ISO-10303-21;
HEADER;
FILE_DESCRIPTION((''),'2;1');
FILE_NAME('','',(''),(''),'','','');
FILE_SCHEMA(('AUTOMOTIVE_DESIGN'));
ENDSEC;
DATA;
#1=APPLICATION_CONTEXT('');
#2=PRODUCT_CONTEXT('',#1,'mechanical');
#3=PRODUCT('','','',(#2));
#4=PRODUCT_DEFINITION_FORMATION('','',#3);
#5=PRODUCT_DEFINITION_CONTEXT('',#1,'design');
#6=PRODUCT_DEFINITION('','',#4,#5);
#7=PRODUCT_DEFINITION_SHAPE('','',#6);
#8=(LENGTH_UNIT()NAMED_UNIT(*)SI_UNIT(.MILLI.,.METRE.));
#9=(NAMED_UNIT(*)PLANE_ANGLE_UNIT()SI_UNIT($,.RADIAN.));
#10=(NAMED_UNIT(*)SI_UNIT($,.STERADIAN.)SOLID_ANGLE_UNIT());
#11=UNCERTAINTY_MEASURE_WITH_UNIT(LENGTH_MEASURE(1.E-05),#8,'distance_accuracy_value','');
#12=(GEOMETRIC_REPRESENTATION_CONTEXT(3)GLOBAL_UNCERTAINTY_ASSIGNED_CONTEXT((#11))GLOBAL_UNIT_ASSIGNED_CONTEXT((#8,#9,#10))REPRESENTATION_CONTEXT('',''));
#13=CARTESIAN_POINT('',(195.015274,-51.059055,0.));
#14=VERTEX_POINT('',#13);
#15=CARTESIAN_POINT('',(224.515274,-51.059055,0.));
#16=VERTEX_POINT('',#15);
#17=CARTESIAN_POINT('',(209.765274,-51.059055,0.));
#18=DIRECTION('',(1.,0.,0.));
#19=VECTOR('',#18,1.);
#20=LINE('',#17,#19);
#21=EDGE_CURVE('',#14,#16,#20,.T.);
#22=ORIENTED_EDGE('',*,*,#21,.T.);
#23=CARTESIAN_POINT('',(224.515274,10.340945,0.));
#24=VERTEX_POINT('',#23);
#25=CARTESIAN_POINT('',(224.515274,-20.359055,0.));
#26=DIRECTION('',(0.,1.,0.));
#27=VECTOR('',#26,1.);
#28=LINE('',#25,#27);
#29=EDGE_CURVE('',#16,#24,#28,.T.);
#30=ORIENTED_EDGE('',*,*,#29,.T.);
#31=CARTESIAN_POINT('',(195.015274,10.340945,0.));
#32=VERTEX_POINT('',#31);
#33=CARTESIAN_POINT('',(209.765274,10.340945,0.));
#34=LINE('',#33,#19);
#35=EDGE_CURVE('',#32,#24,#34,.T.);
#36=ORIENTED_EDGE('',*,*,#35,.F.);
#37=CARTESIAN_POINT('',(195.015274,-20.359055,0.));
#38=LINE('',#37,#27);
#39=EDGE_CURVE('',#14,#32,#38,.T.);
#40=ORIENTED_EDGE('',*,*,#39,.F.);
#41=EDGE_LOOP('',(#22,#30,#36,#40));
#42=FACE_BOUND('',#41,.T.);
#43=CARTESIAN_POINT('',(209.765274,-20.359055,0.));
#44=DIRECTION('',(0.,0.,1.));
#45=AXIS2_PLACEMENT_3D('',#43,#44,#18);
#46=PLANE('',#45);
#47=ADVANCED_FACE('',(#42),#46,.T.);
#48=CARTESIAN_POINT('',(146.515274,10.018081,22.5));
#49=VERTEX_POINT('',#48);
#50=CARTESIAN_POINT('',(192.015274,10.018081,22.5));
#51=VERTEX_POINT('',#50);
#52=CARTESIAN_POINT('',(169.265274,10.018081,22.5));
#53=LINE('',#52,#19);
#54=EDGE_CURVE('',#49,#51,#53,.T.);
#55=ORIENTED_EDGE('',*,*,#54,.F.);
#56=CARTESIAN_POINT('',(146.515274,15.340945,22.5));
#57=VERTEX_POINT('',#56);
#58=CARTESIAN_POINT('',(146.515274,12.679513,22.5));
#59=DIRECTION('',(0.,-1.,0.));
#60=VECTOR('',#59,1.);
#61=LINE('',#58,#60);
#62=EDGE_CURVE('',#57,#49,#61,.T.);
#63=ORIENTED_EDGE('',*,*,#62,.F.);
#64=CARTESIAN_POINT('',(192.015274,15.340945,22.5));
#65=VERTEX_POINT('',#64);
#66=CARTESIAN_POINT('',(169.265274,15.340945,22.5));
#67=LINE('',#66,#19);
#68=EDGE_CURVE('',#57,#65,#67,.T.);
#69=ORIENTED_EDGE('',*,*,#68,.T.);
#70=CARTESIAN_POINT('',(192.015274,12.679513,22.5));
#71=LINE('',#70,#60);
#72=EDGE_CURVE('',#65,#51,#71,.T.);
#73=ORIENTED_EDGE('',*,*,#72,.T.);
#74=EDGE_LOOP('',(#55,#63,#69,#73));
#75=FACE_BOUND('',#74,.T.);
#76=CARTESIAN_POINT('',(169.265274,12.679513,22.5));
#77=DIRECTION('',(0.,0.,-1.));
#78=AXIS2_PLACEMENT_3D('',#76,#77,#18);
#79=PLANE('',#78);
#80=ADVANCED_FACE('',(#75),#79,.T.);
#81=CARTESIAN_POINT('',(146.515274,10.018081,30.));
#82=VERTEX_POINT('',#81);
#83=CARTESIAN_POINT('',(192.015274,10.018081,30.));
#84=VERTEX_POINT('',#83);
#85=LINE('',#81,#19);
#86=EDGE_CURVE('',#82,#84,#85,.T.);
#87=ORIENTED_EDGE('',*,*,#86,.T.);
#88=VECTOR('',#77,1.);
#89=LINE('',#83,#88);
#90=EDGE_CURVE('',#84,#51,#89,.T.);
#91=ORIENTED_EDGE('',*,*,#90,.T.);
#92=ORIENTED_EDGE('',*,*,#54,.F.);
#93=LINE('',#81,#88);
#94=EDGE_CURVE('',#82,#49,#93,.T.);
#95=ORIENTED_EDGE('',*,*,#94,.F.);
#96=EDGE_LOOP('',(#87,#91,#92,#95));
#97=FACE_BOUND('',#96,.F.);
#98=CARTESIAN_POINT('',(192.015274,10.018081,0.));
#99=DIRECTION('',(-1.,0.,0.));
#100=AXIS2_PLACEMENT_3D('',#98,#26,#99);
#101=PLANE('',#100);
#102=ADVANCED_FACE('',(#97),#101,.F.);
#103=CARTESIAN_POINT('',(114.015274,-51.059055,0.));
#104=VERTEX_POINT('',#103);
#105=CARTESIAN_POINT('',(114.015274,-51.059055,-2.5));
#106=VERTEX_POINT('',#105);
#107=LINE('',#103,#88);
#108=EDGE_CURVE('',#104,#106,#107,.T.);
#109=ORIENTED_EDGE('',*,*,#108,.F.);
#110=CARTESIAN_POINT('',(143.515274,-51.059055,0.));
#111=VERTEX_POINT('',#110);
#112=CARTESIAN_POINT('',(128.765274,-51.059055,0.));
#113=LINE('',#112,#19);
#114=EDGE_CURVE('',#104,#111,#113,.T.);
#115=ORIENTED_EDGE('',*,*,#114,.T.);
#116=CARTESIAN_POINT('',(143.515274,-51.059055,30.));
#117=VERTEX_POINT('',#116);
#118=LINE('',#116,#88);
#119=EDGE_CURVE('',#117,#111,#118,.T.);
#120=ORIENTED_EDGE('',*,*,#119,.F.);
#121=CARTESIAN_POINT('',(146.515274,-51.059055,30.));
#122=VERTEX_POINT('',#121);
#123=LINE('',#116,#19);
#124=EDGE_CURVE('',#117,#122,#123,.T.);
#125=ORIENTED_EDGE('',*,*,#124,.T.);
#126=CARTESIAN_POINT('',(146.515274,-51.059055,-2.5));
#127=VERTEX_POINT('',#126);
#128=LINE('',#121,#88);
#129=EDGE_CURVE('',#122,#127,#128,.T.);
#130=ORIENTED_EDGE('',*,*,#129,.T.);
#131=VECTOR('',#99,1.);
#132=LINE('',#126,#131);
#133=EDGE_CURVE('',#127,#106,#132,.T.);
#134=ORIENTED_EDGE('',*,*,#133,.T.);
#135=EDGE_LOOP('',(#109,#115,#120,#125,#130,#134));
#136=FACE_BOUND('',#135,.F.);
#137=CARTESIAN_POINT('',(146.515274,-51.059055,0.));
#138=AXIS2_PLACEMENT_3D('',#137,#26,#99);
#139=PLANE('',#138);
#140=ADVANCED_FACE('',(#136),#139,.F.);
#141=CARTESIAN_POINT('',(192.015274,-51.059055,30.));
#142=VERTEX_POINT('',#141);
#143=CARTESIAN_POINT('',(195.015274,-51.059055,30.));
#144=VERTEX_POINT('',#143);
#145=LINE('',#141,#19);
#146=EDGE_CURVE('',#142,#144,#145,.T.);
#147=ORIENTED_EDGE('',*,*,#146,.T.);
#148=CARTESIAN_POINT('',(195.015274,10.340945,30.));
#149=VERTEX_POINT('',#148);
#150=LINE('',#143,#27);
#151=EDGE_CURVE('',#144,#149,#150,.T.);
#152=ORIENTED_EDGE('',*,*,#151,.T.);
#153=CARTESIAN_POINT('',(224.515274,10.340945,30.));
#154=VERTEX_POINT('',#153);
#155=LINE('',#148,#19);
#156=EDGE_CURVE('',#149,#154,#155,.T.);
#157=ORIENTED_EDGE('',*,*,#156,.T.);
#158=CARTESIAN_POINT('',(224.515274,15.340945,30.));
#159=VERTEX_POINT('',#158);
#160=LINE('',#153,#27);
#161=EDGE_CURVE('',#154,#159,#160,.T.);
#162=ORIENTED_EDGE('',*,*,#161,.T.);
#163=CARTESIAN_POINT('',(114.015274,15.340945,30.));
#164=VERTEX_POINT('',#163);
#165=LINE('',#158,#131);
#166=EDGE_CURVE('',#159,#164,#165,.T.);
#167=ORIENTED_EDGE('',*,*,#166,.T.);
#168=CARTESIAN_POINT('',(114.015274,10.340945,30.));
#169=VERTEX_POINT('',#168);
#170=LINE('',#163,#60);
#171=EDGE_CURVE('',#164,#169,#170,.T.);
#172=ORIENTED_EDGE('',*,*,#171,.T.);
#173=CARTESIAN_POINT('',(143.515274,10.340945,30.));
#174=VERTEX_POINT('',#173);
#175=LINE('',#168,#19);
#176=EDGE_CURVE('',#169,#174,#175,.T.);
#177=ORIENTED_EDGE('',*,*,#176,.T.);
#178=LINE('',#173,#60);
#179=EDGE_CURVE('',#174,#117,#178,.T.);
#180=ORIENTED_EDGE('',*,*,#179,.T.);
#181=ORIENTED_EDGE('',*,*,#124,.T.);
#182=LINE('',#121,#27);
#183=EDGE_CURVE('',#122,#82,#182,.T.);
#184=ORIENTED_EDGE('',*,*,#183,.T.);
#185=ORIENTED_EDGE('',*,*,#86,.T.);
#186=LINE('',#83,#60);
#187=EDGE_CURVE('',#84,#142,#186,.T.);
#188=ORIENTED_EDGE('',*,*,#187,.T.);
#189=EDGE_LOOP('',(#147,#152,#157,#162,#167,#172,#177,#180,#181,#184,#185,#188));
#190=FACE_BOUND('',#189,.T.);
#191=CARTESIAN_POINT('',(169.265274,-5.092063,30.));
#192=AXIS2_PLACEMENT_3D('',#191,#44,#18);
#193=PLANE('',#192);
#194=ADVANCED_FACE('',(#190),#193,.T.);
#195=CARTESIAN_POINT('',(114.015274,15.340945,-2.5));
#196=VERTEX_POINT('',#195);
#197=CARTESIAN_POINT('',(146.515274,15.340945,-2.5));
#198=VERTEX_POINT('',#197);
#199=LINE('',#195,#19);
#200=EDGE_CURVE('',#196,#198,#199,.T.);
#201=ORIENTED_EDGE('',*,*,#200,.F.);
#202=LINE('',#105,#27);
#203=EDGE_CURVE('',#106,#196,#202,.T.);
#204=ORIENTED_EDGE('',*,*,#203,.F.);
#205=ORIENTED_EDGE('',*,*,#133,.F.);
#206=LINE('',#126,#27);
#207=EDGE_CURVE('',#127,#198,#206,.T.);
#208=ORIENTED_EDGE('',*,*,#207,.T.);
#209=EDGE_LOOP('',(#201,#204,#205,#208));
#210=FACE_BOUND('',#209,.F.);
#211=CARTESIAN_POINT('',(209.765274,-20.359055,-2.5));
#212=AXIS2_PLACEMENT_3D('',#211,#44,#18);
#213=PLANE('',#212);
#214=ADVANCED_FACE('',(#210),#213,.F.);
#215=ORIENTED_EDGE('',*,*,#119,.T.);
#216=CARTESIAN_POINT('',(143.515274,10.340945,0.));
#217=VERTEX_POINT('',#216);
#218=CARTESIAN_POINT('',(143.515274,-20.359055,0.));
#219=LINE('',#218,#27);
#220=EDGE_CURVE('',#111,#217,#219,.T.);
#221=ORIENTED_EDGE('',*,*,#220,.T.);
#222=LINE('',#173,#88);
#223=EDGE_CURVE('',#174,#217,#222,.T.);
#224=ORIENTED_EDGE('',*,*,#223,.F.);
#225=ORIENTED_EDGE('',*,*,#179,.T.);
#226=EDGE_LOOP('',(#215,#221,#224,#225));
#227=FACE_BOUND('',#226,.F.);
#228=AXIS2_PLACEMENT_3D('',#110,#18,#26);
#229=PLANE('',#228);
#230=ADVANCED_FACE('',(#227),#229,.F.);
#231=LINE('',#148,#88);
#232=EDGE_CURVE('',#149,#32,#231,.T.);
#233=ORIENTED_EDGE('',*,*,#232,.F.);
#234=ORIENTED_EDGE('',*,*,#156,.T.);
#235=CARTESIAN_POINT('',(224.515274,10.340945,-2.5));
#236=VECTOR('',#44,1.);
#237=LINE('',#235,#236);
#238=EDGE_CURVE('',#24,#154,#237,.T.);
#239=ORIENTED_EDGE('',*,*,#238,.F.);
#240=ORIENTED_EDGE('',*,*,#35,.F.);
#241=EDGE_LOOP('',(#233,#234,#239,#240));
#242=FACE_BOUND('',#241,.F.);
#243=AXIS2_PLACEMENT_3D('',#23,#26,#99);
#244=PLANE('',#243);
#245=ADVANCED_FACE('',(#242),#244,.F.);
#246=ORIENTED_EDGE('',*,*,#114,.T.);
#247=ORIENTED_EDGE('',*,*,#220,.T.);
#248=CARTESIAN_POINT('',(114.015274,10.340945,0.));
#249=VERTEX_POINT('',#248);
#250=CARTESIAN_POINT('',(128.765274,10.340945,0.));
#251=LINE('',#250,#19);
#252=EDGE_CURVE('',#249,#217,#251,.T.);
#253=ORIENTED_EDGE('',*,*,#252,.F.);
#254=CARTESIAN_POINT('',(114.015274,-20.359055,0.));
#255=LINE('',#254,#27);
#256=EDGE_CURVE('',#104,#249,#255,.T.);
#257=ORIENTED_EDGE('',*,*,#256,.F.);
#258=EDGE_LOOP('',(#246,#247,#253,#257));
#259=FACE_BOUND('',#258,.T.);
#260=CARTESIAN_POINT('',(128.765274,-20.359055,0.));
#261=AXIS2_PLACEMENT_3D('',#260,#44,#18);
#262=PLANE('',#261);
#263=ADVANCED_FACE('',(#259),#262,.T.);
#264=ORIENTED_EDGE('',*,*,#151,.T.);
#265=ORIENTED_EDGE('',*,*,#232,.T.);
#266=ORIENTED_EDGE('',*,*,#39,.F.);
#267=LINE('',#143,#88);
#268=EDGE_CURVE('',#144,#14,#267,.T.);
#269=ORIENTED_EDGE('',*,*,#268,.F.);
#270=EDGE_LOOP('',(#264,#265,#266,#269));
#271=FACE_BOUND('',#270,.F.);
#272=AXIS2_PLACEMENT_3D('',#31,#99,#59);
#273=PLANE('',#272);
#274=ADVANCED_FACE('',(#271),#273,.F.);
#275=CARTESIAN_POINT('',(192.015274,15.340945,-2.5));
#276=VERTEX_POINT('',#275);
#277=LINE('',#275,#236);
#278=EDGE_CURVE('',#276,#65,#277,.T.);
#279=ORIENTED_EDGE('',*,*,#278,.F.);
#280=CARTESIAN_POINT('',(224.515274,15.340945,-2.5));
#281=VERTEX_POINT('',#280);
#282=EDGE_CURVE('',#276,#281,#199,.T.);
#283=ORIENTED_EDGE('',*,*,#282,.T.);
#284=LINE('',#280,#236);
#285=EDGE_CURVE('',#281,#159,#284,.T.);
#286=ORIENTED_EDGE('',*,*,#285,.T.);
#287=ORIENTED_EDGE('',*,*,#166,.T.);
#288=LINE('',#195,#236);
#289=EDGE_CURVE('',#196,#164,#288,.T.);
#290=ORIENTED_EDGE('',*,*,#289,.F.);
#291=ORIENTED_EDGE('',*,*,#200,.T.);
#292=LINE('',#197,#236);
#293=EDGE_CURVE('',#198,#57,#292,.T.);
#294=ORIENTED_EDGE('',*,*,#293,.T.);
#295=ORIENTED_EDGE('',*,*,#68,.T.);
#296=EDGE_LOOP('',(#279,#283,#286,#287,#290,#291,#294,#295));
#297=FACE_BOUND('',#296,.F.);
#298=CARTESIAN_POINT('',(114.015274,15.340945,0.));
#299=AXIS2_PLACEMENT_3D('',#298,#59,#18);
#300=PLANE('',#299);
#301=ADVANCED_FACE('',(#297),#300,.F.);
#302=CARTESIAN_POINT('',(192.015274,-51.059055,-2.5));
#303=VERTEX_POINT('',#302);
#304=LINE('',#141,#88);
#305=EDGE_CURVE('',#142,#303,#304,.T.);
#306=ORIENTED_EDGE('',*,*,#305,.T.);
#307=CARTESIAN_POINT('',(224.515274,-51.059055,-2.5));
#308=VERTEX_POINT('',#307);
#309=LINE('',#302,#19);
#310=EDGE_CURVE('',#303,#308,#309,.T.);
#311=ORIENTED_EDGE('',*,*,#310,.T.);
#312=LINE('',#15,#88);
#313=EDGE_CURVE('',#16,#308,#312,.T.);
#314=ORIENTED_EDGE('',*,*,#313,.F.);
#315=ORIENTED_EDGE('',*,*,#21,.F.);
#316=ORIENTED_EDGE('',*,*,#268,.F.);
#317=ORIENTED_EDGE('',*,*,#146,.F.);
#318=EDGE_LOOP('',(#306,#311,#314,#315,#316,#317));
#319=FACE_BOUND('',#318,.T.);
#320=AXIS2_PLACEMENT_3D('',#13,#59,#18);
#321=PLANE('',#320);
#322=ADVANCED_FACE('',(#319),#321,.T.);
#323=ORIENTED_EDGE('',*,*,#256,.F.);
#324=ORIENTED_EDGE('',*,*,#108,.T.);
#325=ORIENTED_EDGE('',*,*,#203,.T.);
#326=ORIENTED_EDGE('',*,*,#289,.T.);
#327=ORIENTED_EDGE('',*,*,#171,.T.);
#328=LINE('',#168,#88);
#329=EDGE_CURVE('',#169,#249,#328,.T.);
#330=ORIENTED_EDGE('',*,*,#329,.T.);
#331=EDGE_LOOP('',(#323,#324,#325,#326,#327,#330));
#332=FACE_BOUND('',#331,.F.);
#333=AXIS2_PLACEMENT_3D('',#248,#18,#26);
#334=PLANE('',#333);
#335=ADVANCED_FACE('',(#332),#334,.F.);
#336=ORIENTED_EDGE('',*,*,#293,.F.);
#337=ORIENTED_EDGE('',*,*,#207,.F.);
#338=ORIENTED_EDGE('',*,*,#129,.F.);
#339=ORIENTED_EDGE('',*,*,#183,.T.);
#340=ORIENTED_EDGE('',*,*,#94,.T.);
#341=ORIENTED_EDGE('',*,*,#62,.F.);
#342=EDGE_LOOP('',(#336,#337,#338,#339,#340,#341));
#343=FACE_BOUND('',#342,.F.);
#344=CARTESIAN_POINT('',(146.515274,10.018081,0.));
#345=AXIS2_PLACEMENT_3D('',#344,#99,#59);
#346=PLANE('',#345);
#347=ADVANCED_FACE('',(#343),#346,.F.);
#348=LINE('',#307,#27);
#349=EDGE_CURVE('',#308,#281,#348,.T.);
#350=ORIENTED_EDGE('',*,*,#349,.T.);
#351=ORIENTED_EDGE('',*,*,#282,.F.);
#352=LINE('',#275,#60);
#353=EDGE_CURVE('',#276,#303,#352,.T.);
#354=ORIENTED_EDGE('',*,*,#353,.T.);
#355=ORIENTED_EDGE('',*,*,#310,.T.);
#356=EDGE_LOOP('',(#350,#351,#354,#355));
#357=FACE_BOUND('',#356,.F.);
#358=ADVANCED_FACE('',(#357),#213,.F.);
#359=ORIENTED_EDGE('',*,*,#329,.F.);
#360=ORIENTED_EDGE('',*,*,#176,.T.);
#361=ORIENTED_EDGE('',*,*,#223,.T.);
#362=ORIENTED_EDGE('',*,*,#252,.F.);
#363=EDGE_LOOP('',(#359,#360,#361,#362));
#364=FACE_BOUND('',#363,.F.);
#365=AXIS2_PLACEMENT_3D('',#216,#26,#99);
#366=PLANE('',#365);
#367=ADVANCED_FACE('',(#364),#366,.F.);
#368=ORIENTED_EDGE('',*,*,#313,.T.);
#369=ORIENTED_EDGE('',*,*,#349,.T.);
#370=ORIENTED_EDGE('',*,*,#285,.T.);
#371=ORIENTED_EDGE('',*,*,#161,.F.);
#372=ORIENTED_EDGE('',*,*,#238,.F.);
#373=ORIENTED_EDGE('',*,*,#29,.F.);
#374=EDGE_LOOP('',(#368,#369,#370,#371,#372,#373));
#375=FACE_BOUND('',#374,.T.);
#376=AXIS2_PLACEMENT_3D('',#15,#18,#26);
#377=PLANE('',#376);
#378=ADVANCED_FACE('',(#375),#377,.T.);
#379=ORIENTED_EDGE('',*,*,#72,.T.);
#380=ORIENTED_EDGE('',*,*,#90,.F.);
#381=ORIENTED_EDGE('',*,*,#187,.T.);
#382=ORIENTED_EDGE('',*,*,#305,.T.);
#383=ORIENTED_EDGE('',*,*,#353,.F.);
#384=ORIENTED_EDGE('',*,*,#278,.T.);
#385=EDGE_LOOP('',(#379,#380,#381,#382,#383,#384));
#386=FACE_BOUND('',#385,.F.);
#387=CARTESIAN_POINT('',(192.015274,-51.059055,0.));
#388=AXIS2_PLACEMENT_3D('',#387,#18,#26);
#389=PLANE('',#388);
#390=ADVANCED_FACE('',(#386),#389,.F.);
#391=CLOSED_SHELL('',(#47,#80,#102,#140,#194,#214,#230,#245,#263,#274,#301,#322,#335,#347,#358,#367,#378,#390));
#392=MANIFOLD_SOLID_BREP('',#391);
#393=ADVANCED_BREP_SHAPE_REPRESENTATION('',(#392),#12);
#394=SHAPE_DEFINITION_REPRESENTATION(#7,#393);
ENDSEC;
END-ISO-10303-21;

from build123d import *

# Parameters (mm, degrees)
F1_DEPTH = 6.5
F2_DEPTH = 30
F3_DEPTH = 2.5
F0_W     = 29.5
F0_H     = 61.4
F4_DEPTH = 2.5
F5_W     = 45.5
F5_H     = 5.322864
F6_DEPTH = 25


with BuildPart() as f1:
    # F0 (on Top) → F1 (new body)
    with BuildSketch(Plane.XY):
        Polygon((-58.032156, 36.652669), (-58.032156, 30.152669), (-64.532156, 30.152669), (-64.532156, 23.652669), (-58.032156, 23.652669), (-58.032156, 17.152669), (-64.532156, 17.152669), (-64.532156, 10.652669), (-58.032156, 10.652669), (-58.032156, 4.152669), (-64.532156, 4.152669), (-64.532156, -2.347331), (-58.032156, -2.347331), (-58.032156, -8.847331), (-64.532156, -8.847331), (-64.532156, -15.347331), (-58.032156, -15.347331), (-58.032156, -21.847331), (-64.532156, -21.847331), (-64.532156, -28.347331), (-58.032156, -28.347331), (-58.032156, -34.847331), (-64.532156, -34.847331), (-64.532156, -41.347331), (-58.032156, -41.347331), (-58.032156, -53.445331), (58.967844, -53.445331), (58.967844, -41.347331), (65.467844, -41.347331), (65.467844, -34.847331), (58.967844, -34.847331), (58.967844, -28.347331), (65.467844, -28.347331), (65.467844, -21.847331), (58.967844, -21.847331), (58.967844, -15.347331), (65.467844, -15.347331), (65.467844, -8.847331), (58.967844, -8.847331), (58.967844, -2.347331), (65.467844, -2.347331), (65.467844, 4.152669), (58.967844, 4.152669), (58.967844, 10.652669), (65.467844, 10.652669), (65.467844, 17.152669), (58.967844, 17.152669), (58.967844, 23.652669), (58.967844, 30.152669), (52.467844, 30.152669), (52.467844, 36.652669), (45.967844, 36.652669), (45.967844, 30.152669), (39.467844, 30.152669), (39.467844, 36.652669), (32.967844, 36.652669), (32.967844, 30.152669), (26.467844, 30.152669), (26.467844, 36.652669), (19.967844, 36.652669), (19.967844, 30.152669), (13.467844, 30.152669), (13.467844, 36.652669), (6.967844, 36.652669), (6.967844, 30.152669), (0.467844, 30.152669), (0.467844, 36.652669), (-6.032156, 36.652669), (-6.032156, 30.152669), (-12.532156, 30.152669), (-12.532156, 36.652669), (-19.032156, 36.652669), (-19.032156, 30.152669), (-25.532156, 30.152669), (-25.532156, 36.652669), (-32.032156, 36.652669), (-32.032156, 30.152669), (-38.532156, 30.152669), (-38.532156, 36.652669), (-45.032156, 36.652669), (-45.032156, 30.152669), (-51.532156, 30.152669), (-51.532156, 36.652669), align=None)
    extrude(amount=F1_DEPTH)


with BuildPart() as f2:
    # F0 (on Top) → F2 (new body)
    with BuildSketch(Plane.XY):
        Polygon((224.515274, 15.340945), (114.015274, 15.340945), (114.015274, 10.340945), (143.515274, 10.340945), (143.515274, -51.059055), (146.515274, -51.059055), (146.515274, 10.018081), (192.015274, 10.018081), (192.015274, -51.059055), (195.015274, -51.059055), (195.015274, 10.340945), (224.515274, 10.340945), align=None)
    extrude(amount=F2_DEPTH)

    # F2_face (on face) → F3 (join)
    with BuildSketch(Plane(origin=(169.265274, -0.273746, 0), x_dir=(1, 0, 0), z_dir=(0, 0, -1))):
        Polygon((55.25, -10.614691), (25.75, -10.614691), (25.75, 50.785309), (22.75, 50.785309), (22.75, -10.291827), (-22.75, -10.291827), (-22.75, 50.785309), (-25.75, 50.785309), (-25.75, -10.614691), (-55.25, -10.614691), (-55.25, -15.614691), (55.25, -15.614691), align=None)
    extrude(amount=F3_DEPTH)

    # F0 (on Top) → F4 (join)
    with BuildSketch(Plane.XY):
        with Locations((209.765274, -20.359055)):
            Rectangle(F0_W, F0_H)
        with Locations((128.765274, -20.359055)):
            Rectangle(F0_W, F0_H)
    extrude(amount=-F4_DEPTH)

    # F5 (on face) → F6 (cut)
    with BuildSketch(Plane(origin=(0, 0, -2.5), x_dir=(1, 0, 0), z_dir=(0, 0, -1))):
        with Locations((169.265274, -12.679513)):
            Rectangle(F5_W, F5_H)
    extrude(amount=-F6_DEPTH, mode=Mode.SUBTRACT)


with BuildPart() as f7_1:
    # F7: copy of F2
    add(f2.part)


solid = f7_1.part
